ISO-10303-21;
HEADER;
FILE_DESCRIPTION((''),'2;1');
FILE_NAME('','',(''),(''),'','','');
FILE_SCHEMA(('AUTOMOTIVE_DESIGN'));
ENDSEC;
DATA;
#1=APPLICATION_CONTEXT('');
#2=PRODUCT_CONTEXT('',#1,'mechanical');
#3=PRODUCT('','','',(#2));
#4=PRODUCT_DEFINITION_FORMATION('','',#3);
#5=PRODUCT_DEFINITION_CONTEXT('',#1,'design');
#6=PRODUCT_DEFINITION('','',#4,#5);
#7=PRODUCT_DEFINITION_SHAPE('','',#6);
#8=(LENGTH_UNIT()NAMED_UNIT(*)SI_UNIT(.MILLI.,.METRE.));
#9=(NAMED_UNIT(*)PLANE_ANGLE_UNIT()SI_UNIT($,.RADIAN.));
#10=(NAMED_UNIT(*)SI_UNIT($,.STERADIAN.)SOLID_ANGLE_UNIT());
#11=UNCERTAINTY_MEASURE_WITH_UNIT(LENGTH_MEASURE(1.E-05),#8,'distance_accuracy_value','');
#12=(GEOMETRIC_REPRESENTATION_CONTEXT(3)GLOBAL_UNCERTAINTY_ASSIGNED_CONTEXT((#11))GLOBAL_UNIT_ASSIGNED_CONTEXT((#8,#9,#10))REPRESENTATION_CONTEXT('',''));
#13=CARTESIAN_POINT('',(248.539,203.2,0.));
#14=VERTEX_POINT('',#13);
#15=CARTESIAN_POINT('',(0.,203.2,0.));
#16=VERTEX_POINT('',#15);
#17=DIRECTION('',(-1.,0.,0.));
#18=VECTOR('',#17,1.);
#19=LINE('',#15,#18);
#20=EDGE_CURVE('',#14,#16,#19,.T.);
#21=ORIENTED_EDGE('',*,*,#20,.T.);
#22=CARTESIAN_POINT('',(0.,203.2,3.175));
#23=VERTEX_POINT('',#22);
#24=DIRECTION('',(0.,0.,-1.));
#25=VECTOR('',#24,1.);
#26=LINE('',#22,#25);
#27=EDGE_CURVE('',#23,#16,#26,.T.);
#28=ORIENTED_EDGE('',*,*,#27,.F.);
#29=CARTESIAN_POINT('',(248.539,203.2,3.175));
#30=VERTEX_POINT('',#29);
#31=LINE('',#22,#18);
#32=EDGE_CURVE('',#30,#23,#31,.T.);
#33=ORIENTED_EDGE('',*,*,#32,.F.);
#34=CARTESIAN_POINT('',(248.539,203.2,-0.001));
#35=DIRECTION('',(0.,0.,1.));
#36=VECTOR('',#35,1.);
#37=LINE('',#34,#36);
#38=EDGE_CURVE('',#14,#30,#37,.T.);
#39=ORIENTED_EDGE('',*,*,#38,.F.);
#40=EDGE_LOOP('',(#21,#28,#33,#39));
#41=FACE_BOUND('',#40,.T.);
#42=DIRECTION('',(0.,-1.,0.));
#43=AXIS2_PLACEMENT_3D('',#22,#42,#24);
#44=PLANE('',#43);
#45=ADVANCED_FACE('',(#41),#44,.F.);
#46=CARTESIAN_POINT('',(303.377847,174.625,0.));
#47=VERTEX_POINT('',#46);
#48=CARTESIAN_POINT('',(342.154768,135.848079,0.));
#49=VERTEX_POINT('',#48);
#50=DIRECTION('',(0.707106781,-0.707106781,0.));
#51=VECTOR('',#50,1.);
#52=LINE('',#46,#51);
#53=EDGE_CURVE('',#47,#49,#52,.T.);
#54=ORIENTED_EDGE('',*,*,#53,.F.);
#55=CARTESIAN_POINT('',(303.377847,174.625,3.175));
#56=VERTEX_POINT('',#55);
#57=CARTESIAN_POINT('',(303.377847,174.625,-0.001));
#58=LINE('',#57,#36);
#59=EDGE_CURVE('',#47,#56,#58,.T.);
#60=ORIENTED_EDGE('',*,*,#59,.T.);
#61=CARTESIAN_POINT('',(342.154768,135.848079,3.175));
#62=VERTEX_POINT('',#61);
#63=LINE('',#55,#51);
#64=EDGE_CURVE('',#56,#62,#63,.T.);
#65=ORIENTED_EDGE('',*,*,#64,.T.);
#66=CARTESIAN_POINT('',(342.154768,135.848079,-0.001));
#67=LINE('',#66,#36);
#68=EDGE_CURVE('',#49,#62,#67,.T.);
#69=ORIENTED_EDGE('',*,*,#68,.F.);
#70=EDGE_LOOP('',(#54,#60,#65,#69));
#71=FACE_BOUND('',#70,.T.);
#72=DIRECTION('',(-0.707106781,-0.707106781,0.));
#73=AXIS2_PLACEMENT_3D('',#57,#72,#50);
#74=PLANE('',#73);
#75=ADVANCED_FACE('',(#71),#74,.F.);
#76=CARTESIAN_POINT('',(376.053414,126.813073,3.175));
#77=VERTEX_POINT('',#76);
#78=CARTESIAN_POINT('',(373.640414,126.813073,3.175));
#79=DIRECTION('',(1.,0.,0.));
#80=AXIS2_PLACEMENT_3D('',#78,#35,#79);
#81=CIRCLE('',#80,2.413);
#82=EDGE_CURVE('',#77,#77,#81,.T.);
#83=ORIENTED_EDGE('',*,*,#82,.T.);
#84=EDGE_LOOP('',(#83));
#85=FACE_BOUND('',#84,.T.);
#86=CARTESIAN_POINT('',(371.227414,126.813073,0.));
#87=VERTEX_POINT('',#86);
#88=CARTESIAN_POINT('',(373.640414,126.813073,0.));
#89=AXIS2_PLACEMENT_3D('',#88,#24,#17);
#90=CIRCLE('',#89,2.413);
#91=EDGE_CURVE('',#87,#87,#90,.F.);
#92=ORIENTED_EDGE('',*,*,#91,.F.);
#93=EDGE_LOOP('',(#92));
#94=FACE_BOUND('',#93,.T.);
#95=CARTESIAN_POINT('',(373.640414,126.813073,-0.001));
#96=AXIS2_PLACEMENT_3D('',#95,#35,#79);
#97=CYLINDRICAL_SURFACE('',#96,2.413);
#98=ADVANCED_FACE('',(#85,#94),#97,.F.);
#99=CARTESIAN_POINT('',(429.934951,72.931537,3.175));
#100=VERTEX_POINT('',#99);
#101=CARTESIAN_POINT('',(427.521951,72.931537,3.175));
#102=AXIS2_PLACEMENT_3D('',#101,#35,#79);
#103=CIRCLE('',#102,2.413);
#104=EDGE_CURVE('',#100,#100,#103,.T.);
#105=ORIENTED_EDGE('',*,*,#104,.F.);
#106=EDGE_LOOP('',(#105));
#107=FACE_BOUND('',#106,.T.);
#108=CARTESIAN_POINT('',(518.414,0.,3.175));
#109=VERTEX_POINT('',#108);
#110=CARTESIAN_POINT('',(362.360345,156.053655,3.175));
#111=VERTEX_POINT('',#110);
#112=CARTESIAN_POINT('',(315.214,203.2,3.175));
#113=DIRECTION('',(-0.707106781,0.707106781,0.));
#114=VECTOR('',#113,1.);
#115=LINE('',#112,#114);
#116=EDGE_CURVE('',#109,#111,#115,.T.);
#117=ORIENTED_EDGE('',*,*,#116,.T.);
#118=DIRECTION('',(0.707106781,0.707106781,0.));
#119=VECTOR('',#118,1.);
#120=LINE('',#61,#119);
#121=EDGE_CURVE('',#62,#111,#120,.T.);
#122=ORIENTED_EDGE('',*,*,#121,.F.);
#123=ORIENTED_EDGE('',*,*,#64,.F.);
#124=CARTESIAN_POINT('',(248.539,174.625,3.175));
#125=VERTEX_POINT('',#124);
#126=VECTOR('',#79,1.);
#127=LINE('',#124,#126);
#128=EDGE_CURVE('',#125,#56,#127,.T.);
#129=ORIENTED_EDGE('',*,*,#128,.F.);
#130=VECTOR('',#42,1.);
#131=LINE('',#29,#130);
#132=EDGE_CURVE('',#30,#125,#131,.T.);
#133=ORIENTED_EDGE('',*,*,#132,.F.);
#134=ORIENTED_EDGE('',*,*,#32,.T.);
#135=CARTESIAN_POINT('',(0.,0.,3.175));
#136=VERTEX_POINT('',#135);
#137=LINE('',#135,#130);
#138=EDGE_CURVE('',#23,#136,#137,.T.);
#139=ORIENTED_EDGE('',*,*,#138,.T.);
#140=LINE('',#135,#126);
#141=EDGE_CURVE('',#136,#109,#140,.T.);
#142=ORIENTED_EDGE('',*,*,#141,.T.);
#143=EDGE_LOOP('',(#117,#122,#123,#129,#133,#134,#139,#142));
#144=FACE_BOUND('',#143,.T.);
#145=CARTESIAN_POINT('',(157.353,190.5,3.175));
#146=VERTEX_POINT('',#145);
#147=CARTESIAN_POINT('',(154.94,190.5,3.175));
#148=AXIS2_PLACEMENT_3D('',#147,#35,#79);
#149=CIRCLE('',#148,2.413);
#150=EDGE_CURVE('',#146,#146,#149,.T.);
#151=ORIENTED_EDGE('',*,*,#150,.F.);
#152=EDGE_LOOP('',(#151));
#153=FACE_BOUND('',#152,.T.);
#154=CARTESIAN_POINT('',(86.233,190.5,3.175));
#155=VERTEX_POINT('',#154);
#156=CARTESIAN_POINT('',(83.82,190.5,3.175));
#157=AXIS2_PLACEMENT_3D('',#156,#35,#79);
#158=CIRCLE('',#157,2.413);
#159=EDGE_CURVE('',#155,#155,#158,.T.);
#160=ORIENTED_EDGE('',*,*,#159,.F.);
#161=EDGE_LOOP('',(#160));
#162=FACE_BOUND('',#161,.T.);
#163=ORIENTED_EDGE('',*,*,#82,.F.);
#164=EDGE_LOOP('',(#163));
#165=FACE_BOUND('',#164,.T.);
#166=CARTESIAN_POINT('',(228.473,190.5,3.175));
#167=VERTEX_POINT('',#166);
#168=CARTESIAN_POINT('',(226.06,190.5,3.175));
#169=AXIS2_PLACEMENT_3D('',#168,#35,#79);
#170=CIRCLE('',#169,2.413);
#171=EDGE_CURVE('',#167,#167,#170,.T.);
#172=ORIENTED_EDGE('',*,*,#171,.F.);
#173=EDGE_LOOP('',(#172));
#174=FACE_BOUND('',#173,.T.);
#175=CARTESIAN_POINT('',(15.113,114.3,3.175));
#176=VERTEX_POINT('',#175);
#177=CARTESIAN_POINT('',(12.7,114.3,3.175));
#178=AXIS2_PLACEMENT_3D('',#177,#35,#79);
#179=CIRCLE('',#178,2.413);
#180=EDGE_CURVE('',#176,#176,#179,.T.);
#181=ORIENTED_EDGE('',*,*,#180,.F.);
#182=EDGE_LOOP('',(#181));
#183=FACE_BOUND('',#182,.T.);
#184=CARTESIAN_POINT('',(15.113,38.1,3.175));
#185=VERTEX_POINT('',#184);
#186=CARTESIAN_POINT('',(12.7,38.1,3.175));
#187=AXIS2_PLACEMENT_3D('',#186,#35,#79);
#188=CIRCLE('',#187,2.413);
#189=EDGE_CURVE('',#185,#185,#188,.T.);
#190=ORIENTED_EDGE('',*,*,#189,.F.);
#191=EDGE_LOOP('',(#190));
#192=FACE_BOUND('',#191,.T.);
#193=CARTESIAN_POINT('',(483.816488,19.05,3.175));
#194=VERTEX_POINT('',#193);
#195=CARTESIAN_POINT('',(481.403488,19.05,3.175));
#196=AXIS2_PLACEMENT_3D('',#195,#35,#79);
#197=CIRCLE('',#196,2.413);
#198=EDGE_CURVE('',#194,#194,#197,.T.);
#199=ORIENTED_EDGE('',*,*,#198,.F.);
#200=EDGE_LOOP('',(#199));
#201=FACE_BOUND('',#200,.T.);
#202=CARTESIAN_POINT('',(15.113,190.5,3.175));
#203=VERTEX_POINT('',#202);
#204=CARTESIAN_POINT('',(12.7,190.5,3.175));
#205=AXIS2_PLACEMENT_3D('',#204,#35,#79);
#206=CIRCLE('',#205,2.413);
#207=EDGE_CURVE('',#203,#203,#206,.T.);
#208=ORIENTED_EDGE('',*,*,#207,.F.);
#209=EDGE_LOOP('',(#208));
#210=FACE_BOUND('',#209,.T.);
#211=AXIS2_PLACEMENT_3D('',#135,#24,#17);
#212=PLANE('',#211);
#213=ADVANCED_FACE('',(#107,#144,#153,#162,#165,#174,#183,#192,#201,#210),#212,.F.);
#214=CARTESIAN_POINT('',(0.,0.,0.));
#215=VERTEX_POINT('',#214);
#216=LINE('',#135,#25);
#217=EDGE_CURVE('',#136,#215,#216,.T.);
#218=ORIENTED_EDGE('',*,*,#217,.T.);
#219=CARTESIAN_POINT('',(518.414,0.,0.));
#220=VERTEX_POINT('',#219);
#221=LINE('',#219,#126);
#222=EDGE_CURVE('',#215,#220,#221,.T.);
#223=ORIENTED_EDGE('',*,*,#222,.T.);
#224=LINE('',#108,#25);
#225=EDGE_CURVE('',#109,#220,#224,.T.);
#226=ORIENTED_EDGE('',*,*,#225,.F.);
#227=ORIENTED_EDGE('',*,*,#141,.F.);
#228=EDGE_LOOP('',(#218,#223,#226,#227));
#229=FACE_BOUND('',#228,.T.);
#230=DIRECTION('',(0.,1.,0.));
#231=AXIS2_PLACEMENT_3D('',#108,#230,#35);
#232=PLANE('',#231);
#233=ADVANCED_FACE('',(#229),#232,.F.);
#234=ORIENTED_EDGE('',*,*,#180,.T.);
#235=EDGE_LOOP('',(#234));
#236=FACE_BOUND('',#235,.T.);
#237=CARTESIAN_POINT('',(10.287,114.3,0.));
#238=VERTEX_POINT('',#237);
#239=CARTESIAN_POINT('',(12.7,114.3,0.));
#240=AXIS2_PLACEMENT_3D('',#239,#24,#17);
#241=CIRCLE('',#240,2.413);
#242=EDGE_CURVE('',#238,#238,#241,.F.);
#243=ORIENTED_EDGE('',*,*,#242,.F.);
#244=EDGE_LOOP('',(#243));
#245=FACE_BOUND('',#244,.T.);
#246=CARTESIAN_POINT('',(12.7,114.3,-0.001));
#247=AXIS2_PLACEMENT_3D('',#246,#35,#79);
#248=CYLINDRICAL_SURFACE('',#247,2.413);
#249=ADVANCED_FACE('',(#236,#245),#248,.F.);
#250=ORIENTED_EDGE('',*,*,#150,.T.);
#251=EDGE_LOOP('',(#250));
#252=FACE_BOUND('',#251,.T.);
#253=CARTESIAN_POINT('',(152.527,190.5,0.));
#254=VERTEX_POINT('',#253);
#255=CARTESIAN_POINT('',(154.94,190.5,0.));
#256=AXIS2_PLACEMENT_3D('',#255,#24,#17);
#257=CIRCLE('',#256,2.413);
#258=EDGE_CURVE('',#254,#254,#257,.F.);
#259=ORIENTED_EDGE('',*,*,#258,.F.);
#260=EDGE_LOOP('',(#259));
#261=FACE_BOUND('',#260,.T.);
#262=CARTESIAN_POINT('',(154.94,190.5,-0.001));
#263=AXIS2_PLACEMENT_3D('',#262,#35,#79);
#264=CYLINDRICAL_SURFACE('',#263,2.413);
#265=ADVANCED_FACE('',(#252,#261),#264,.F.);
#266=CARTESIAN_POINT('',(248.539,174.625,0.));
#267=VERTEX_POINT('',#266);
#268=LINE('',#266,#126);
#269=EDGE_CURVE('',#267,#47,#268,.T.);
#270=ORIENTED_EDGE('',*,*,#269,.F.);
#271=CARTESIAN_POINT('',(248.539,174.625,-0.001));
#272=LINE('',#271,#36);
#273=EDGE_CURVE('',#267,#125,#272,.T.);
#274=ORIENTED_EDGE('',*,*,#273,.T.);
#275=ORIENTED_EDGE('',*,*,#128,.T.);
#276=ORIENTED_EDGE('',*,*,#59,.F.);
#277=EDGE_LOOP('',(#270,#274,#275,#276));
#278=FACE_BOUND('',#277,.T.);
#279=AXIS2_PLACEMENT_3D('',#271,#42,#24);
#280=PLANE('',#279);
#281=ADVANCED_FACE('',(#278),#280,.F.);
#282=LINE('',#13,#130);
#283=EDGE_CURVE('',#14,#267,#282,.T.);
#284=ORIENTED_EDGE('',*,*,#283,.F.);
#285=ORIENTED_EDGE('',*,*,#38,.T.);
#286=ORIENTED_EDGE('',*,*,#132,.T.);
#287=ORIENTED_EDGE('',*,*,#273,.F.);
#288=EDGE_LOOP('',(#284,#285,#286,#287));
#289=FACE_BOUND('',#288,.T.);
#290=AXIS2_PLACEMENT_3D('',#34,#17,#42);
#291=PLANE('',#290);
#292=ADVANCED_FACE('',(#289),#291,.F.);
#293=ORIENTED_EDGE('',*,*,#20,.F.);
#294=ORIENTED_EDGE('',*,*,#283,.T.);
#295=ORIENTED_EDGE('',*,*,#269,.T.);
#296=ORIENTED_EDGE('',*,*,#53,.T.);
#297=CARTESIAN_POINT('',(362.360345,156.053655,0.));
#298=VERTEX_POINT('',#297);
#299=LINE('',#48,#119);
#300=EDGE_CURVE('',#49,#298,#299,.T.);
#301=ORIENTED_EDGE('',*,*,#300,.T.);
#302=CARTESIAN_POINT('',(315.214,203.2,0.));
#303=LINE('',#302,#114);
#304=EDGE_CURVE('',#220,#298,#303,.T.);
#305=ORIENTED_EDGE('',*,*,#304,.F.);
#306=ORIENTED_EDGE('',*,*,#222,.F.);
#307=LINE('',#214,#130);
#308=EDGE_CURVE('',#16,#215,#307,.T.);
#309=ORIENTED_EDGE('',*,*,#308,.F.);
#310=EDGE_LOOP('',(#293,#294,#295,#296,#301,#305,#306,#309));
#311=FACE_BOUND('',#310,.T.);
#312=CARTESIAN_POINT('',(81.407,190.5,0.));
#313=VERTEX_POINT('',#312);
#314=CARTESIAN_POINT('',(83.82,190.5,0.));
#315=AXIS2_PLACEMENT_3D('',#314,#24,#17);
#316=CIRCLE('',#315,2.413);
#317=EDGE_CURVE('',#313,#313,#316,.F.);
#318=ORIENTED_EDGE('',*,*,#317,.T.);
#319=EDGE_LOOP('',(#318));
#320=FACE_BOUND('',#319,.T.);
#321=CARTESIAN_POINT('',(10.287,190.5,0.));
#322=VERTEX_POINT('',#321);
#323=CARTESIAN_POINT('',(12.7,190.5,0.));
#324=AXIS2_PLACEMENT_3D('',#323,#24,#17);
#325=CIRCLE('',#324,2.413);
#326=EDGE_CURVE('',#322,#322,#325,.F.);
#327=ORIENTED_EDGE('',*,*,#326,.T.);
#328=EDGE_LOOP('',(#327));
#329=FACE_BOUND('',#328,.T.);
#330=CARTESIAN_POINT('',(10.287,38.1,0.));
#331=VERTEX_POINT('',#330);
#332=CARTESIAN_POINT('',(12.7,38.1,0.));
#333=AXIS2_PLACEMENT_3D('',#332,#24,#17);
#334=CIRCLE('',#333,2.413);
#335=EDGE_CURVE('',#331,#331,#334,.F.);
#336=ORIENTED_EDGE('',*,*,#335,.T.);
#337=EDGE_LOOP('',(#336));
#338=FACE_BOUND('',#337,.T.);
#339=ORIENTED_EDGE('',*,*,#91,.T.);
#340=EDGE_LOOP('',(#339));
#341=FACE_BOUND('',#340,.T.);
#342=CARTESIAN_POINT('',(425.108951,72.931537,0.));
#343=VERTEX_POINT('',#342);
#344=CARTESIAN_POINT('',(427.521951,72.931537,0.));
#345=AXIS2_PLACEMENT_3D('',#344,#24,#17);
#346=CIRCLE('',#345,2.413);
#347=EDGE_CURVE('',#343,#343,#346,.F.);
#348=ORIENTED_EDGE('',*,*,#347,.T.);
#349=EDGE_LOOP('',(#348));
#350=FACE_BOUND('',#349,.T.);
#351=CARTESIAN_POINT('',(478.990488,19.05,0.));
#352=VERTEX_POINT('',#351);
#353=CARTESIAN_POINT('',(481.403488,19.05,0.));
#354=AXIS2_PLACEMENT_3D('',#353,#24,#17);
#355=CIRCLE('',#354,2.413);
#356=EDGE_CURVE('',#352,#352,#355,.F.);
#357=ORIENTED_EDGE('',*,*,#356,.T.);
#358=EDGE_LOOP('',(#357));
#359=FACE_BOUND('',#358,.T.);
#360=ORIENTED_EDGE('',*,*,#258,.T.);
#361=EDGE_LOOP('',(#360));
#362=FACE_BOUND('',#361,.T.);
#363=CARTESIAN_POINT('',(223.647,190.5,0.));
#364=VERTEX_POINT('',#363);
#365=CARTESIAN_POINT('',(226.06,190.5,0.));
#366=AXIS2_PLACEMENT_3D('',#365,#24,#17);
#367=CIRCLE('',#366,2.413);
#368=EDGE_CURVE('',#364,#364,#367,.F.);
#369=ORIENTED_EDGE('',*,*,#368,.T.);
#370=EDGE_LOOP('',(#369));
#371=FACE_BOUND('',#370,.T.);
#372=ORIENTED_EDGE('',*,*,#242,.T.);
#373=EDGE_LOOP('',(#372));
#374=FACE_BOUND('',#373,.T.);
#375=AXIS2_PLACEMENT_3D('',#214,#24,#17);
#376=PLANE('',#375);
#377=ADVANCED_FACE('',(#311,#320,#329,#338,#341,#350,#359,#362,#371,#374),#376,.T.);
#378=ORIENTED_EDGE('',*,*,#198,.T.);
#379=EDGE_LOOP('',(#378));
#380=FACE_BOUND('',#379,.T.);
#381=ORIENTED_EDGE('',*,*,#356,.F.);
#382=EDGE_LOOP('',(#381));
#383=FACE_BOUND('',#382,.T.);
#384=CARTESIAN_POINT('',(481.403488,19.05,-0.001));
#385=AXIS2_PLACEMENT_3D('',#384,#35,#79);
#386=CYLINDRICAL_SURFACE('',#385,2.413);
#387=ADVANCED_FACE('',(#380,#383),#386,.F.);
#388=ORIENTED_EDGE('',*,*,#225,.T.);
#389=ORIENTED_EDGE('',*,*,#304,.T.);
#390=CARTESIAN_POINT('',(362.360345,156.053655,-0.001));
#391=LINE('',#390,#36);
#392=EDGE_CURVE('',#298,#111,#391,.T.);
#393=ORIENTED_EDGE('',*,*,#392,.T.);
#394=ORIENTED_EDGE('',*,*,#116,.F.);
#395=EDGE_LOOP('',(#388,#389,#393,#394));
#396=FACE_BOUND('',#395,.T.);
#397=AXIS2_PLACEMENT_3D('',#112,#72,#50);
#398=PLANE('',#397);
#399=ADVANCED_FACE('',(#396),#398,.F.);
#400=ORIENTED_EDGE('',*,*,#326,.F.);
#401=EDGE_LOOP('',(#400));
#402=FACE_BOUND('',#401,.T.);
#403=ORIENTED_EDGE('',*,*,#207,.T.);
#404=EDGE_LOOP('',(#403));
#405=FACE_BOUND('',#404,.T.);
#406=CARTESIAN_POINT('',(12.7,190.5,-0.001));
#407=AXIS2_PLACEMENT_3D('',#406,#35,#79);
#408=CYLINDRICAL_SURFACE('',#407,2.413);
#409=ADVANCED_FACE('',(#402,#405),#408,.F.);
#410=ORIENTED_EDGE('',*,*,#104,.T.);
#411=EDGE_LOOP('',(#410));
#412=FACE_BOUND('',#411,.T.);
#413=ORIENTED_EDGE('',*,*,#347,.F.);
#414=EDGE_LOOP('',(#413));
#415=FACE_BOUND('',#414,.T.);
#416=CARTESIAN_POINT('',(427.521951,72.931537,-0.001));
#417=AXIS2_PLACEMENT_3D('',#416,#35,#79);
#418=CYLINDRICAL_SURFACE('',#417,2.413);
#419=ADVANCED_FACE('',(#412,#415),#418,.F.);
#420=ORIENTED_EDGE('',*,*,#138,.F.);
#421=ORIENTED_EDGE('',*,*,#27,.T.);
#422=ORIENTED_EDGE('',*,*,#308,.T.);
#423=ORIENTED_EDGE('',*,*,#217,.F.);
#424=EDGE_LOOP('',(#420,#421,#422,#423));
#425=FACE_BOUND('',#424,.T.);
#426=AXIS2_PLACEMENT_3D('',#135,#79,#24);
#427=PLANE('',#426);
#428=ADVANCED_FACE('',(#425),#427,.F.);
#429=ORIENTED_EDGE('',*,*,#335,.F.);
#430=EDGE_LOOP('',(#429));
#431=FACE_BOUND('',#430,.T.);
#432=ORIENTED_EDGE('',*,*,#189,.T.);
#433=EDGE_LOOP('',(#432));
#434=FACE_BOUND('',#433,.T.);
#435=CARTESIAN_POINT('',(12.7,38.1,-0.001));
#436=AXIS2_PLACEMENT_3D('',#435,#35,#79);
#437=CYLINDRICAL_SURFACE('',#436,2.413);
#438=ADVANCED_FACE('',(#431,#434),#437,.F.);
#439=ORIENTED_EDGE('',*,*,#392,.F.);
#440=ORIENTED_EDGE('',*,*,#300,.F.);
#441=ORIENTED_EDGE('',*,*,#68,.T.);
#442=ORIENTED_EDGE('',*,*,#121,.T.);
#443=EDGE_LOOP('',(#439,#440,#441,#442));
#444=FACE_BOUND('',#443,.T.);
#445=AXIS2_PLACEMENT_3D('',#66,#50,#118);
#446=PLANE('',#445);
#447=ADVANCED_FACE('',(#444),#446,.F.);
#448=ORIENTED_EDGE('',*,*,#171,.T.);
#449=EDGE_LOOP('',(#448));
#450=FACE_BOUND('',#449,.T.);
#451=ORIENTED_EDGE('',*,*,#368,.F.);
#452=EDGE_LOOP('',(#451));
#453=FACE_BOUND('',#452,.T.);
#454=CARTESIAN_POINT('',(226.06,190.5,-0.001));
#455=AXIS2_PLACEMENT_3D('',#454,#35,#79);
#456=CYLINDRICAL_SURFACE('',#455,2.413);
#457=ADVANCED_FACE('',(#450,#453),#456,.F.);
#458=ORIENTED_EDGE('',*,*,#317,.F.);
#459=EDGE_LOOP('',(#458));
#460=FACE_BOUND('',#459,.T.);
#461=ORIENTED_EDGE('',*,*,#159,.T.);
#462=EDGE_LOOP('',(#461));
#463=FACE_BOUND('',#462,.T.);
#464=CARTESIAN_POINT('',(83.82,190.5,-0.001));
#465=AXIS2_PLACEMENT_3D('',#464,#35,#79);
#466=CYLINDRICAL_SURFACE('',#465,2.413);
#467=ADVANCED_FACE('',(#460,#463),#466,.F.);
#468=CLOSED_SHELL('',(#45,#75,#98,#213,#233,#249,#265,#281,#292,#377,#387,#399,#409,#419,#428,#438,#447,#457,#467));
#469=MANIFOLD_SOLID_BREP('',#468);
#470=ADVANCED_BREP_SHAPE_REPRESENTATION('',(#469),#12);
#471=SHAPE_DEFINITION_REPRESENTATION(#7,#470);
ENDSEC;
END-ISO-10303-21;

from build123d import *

# Parameters (mm, degrees)
BOSS_EXTRUDE1_DEPTH = 3.175
CUT_EXTRUDE1_REACH  = 5.175
SKETCH2_R           = 2.413
CUT_EXTRUDE2_REACH  = 5.175
SKETCH3_R           = 2.413
CUT_EXTRUDE3_REACH  = 5.175


with BuildPart() as part:
    # Sketch1 → Boss-Extrude1 (new body)
    with BuildSketch(Plane.XY):
        Polygon((315.214, 203.2), (518.414, 0), (127, 0), (0, 0), (0, 203.2), align=None)
    extrude(amount=BOSS_EXTRUDE1_DEPTH)

    # Sketch2 → Cut-Extrude1 (cut, up to next)
    with BuildSketch(Plane.XY.offset(3.175), mode=Mode.PRIVATE) as cut_extrude1_sk1:
        with Locations((12.7, 190.5)):
            Circle(SKETCH2_R)
    cut_extrude1_tool1 = extrude(cut_extrude1_sk1.sketch, amount=-CUT_EXTRUDE1_REACH, mode=Mode.PRIVATE) & part.part
    add(cut_extrude1_tool1.solids().sort_by_distance((12.7, 190.5, 3.175))[0], mode=Mode.SUBTRACT)
    # Sketch2 → Cut-Extrude1 (cut, up to next)
    with BuildSketch(Plane.XY.offset(3.175), mode=Mode.PRIVATE) as cut_extrude1_sk2:
        with Locations((83.82, 190.5)):
            Circle(SKETCH2_R)
    cut_extrude1_tool2 = extrude(cut_extrude1_sk2.sketch, amount=-CUT_EXTRUDE1_REACH, mode=Mode.PRIVATE) & part.part
    add(cut_extrude1_tool2.solids().sort_by_distance((83.82, 190.5, 3.175))[0], mode=Mode.SUBTRACT)
    # Sketch2 → Cut-Extrude1 (cut, up to next)
    with BuildSketch(Plane.XY.offset(3.175), mode=Mode.PRIVATE) as cut_extrude1_sk3:
        with Locations((154.94, 190.5)):
            Circle(SKETCH2_R)
    cut_extrude1_tool3 = extrude(cut_extrude1_sk3.sketch, amount=-CUT_EXTRUDE1_REACH, mode=Mode.PRIVATE) & part.part
    add(cut_extrude1_tool3.solids().sort_by_distance((154.94, 190.5, 3.175))[0], mode=Mode.SUBTRACT)
    # Sketch2 → Cut-Extrude1 (cut, up to next)
    with BuildSketch(Plane.XY.offset(3.175), mode=Mode.PRIVATE) as cut_extrude1_sk4:
        with Locations((226.06, 190.5)):
            Circle(SKETCH2_R)
    cut_extrude1_tool4 = extrude(cut_extrude1_sk4.sketch, amount=-CUT_EXTRUDE1_REACH, mode=Mode.PRIVATE) & part.part
    add(cut_extrude1_tool4.solids().sort_by_distance((226.06, 190.5, 3.175))[0], mode=Mode.SUBTRACT)
    # Sketch2 → Cut-Extrude1 (cut, up to next)
    with BuildSketch(Plane.XY.offset(3.175), mode=Mode.PRIVATE) as cut_extrude1_sk5:
        with Locations((12.7, 114.3)):
            Circle(SKETCH2_R)
    cut_extrude1_tool5 = extrude(cut_extrude1_sk5.sketch, amount=-CUT_EXTRUDE1_REACH, mode=Mode.PRIVATE) & part.part
    add(cut_extrude1_tool5.solids().sort_by_distance((12.7, 114.3, 3.175))[0], mode=Mode.SUBTRACT)
    # Sketch2 → Cut-Extrude1 (cut, up to next)
    with BuildSketch(Plane.XY.offset(3.175), mode=Mode.PRIVATE) as cut_extrude1_sk6:
        with Locations((12.7, 38.1)):
            Circle(SKETCH2_R)
    cut_extrude1_tool6 = extrude(cut_extrude1_sk6.sketch, amount=-CUT_EXTRUDE1_REACH, mode=Mode.PRIVATE) & part.part
    add(cut_extrude1_tool6.solids().sort_by_distance((12.7, 38.1, 3.175))[0], mode=Mode.SUBTRACT)

    # Sketch3 → Cut-Extrude2 (cut, up to next)
    with BuildSketch(Plane.XY.offset(3.175), mode=Mode.PRIVATE) as cut_extrude2_sk1:
        with Locations((481.403487758, 19.05)):
            Circle(SKETCH3_R)
    cut_extrude2_tool1 = extrude(cut_extrude2_sk1.sketch, amount=-CUT_EXTRUDE2_REACH, mode=Mode.PRIVATE) & part.part
    add(cut_extrude2_tool1.solids().sort_by_distance((481.403488, 19.05, 3.175))[0], mode=Mode.SUBTRACT)
    # Sketch3 → Cut-Extrude2 (cut, up to next)
    with BuildSketch(Plane.XY.offset(3.175), mode=Mode.PRIVATE) as cut_extrude2_sk2:
        with Locations((427.521951031, 72.931536726)):
            Circle(SKETCH3_R)
    cut_extrude2_tool2 = extrude(cut_extrude2_sk2.sketch, amount=-CUT_EXTRUDE2_REACH, mode=Mode.PRIVATE) & part.part
    add(cut_extrude2_tool2.solids().sort_by_distance((427.521951, 72.931537, 3.175))[0], mode=Mode.SUBTRACT)
    # Sketch3 → Cut-Extrude2 (cut, up to next)
    with BuildSketch(Plane.XY.offset(3.175), mode=Mode.PRIVATE) as cut_extrude2_sk3:
        with Locations((373.640414305, 126.813073453)):
            Circle(SKETCH3_R)
    cut_extrude2_tool3 = extrude(cut_extrude2_sk3.sketch, amount=-CUT_EXTRUDE2_REACH, mode=Mode.PRIVATE) & part.part
    add(cut_extrude2_tool3.solids().sort_by_distance((373.640414, 126.813073, 3.175))[0], mode=Mode.SUBTRACT)
    # Sketch3 → Cut-Extrude2 (cut, up to next)
    with BuildSketch(Plane.XY.offset(3.175), mode=Mode.PRIVATE) as cut_extrude2_sk4:
        with Locations((319.758877579, 180.694610179)):
            Circle(SKETCH3_R)
    cut_extrude2_tool4 = extrude(cut_extrude2_sk4.sketch, amount=-CUT_EXTRUDE2_REACH, mode=Mode.PRIVATE) & part.part
    add(cut_extrude2_tool4.solids().sort_by_distance((319.758878, 180.69461, 3.175))[0], mode=Mode.SUBTRACT)

    # Sketch4 → Cut-Extrude3 (cut, up to next)
    with BuildSketch(Plane.XY.offset(3.175), mode=Mode.PRIVATE) as cut_extrude3_sk1:
        Polygon((315.214, 203.2), (248.539, 203.2), (248.539, 174.625), (303.377847455, 174.625), (342.154768363, 135.848079092), (362.360344636, 156.053655364), align=None)
    cut_extrude3_tool1 = extrude(cut_extrude3_sk1.sketch, amount=-CUT_EXTRUDE3_REACH, mode=Mode.PRIVATE) & part.part
    add(cut_extrude3_tool1.solids().sort_by_distance((305.025183, 178.602019, 3.175))[0], mode=Mode.SUBTRACT)


solid = part.part
